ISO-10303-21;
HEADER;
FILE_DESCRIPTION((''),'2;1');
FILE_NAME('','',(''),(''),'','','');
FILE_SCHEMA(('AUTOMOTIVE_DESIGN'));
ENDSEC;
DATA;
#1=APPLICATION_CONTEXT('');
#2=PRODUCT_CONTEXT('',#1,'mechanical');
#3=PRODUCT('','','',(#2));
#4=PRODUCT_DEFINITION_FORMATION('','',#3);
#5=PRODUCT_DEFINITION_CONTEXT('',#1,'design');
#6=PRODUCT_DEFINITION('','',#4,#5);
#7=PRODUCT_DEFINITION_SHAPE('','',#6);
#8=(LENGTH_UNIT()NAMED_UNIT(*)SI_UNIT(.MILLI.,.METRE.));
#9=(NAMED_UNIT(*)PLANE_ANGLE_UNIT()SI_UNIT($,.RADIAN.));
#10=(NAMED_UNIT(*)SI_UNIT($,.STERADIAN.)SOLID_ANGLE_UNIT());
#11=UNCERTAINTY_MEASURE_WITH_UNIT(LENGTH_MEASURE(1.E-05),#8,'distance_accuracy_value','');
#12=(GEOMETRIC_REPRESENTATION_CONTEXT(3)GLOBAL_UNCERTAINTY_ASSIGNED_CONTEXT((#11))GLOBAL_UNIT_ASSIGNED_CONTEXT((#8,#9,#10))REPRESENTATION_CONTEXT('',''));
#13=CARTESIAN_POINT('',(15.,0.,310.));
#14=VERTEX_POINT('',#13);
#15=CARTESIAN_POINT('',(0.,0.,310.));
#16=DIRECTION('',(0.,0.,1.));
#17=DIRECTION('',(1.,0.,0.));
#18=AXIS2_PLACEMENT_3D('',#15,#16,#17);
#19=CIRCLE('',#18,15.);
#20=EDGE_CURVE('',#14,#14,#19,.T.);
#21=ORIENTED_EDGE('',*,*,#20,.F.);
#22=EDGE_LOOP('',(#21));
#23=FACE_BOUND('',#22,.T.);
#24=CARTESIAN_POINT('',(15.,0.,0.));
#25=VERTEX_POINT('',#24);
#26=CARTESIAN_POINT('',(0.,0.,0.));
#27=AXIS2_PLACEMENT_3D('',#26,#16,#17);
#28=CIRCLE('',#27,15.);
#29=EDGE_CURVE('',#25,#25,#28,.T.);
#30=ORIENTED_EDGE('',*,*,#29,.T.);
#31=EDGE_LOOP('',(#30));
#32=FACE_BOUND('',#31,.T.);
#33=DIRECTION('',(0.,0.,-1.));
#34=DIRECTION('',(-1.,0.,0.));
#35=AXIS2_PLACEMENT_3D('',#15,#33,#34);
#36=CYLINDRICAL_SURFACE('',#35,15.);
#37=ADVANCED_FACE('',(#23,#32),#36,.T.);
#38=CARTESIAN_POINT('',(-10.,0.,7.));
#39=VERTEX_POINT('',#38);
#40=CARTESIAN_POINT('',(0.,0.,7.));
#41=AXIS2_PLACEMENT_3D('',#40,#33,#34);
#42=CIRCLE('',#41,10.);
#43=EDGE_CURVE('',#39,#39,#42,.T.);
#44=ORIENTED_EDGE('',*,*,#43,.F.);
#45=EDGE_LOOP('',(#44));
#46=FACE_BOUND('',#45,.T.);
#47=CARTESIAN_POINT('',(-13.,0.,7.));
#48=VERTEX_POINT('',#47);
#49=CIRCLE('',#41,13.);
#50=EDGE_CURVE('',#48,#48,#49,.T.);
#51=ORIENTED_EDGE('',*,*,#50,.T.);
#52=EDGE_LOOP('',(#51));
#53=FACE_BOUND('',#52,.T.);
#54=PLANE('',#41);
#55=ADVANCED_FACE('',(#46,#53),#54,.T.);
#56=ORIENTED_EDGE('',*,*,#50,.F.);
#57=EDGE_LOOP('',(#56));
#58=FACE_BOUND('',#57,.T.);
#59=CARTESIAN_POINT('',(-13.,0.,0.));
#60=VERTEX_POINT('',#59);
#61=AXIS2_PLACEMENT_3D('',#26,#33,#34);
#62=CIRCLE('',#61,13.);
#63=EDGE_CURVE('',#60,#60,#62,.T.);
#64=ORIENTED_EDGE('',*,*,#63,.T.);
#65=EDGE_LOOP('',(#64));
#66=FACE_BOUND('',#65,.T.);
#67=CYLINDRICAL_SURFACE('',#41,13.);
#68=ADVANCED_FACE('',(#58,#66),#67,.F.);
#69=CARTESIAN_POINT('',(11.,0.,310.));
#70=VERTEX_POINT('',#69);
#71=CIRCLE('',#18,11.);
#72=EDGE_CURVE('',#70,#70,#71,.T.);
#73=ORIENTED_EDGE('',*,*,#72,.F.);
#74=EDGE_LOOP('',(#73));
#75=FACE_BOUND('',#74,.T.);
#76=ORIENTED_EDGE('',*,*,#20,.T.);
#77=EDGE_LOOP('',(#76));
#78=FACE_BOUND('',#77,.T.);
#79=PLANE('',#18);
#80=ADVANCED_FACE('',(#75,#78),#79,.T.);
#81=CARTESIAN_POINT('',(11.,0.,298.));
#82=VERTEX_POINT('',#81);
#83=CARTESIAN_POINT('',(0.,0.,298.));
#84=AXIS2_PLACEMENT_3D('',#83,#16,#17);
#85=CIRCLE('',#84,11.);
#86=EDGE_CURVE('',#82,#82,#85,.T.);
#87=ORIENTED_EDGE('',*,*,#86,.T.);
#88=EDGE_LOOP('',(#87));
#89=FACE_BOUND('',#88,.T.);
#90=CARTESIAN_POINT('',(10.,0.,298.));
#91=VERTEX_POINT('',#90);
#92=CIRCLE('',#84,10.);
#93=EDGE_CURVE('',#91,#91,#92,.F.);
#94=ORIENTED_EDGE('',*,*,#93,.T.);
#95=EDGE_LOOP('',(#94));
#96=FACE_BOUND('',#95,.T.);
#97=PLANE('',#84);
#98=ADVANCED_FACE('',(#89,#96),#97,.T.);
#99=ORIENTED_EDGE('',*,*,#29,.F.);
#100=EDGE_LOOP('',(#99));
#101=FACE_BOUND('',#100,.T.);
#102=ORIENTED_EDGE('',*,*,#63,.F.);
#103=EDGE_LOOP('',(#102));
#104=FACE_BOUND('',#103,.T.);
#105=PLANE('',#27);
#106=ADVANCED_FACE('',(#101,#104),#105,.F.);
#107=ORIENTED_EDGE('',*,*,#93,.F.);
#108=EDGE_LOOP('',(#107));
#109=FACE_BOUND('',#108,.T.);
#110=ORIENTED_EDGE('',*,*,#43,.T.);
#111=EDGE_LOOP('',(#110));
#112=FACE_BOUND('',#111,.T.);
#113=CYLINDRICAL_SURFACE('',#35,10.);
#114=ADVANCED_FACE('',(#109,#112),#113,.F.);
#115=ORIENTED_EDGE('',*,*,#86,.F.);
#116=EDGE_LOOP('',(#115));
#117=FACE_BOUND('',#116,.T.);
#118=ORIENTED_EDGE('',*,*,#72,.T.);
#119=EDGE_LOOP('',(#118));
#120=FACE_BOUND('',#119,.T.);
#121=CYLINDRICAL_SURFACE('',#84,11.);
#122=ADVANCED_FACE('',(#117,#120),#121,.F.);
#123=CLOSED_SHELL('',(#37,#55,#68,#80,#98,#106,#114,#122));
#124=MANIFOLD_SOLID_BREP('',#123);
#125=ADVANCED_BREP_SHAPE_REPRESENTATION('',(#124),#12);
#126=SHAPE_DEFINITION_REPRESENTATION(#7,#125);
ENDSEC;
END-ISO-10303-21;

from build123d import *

# Parameters (mm, degrees)
ESQUISSE1_R             = 15
ESQUISSE1_R_2           = 10
BOSS_EXTRU_1_DEPTH      = 310
ESQUISSE2_R             = 13
ESQUISSE2_R_2           = 10
ENL_V_MAT_EXTRU_1_DEPTH = 7
ESQUISSE3_R             = 11
ESQUISSE3_R_2           = 10
ENL_V_MAT_EXTRU_2_DEPTH = 12


with BuildPart() as part:
    # Esquisse1 → Boss.-Extru.1 (new body)
    with BuildSketch(Plane.XY):
        Circle(ESQUISSE1_R)
        Circle(ESQUISSE1_R_2, mode=Mode.SUBTRACT)
    extrude(amount=BOSS_EXTRU_1_DEPTH)

    # Esquisse2 → Enlèv. mat.-Extru.1 (cut)
    with BuildSketch(Plane(origin=(0, 0, 0), x_dir=(-1, 0, 0), z_dir=(0, 0, -1))):
        Circle(ESQUISSE2_R)
        Circle(ESQUISSE2_R_2, mode=Mode.SUBTRACT)
    extrude(amount=-ENL_V_MAT_EXTRU_1_DEPTH, mode=Mode.SUBTRACT)

    # Esquisse3 → Enlèv. mat.-Extru.2 (cut)
    with BuildSketch(Plane.XY.offset(310)):
        Circle(ESQUISSE3_R)
        with Locations(Location((0, 0, 0), (0, 0, 180))):  # turned: the seam where the file's is
            Circle(ESQUISSE3_R_2, mode=Mode.SUBTRACT)
    extrude(amount=-ENL_V_MAT_EXTRU_2_DEPTH, mode=Mode.SUBTRACT)


solid = part.part
